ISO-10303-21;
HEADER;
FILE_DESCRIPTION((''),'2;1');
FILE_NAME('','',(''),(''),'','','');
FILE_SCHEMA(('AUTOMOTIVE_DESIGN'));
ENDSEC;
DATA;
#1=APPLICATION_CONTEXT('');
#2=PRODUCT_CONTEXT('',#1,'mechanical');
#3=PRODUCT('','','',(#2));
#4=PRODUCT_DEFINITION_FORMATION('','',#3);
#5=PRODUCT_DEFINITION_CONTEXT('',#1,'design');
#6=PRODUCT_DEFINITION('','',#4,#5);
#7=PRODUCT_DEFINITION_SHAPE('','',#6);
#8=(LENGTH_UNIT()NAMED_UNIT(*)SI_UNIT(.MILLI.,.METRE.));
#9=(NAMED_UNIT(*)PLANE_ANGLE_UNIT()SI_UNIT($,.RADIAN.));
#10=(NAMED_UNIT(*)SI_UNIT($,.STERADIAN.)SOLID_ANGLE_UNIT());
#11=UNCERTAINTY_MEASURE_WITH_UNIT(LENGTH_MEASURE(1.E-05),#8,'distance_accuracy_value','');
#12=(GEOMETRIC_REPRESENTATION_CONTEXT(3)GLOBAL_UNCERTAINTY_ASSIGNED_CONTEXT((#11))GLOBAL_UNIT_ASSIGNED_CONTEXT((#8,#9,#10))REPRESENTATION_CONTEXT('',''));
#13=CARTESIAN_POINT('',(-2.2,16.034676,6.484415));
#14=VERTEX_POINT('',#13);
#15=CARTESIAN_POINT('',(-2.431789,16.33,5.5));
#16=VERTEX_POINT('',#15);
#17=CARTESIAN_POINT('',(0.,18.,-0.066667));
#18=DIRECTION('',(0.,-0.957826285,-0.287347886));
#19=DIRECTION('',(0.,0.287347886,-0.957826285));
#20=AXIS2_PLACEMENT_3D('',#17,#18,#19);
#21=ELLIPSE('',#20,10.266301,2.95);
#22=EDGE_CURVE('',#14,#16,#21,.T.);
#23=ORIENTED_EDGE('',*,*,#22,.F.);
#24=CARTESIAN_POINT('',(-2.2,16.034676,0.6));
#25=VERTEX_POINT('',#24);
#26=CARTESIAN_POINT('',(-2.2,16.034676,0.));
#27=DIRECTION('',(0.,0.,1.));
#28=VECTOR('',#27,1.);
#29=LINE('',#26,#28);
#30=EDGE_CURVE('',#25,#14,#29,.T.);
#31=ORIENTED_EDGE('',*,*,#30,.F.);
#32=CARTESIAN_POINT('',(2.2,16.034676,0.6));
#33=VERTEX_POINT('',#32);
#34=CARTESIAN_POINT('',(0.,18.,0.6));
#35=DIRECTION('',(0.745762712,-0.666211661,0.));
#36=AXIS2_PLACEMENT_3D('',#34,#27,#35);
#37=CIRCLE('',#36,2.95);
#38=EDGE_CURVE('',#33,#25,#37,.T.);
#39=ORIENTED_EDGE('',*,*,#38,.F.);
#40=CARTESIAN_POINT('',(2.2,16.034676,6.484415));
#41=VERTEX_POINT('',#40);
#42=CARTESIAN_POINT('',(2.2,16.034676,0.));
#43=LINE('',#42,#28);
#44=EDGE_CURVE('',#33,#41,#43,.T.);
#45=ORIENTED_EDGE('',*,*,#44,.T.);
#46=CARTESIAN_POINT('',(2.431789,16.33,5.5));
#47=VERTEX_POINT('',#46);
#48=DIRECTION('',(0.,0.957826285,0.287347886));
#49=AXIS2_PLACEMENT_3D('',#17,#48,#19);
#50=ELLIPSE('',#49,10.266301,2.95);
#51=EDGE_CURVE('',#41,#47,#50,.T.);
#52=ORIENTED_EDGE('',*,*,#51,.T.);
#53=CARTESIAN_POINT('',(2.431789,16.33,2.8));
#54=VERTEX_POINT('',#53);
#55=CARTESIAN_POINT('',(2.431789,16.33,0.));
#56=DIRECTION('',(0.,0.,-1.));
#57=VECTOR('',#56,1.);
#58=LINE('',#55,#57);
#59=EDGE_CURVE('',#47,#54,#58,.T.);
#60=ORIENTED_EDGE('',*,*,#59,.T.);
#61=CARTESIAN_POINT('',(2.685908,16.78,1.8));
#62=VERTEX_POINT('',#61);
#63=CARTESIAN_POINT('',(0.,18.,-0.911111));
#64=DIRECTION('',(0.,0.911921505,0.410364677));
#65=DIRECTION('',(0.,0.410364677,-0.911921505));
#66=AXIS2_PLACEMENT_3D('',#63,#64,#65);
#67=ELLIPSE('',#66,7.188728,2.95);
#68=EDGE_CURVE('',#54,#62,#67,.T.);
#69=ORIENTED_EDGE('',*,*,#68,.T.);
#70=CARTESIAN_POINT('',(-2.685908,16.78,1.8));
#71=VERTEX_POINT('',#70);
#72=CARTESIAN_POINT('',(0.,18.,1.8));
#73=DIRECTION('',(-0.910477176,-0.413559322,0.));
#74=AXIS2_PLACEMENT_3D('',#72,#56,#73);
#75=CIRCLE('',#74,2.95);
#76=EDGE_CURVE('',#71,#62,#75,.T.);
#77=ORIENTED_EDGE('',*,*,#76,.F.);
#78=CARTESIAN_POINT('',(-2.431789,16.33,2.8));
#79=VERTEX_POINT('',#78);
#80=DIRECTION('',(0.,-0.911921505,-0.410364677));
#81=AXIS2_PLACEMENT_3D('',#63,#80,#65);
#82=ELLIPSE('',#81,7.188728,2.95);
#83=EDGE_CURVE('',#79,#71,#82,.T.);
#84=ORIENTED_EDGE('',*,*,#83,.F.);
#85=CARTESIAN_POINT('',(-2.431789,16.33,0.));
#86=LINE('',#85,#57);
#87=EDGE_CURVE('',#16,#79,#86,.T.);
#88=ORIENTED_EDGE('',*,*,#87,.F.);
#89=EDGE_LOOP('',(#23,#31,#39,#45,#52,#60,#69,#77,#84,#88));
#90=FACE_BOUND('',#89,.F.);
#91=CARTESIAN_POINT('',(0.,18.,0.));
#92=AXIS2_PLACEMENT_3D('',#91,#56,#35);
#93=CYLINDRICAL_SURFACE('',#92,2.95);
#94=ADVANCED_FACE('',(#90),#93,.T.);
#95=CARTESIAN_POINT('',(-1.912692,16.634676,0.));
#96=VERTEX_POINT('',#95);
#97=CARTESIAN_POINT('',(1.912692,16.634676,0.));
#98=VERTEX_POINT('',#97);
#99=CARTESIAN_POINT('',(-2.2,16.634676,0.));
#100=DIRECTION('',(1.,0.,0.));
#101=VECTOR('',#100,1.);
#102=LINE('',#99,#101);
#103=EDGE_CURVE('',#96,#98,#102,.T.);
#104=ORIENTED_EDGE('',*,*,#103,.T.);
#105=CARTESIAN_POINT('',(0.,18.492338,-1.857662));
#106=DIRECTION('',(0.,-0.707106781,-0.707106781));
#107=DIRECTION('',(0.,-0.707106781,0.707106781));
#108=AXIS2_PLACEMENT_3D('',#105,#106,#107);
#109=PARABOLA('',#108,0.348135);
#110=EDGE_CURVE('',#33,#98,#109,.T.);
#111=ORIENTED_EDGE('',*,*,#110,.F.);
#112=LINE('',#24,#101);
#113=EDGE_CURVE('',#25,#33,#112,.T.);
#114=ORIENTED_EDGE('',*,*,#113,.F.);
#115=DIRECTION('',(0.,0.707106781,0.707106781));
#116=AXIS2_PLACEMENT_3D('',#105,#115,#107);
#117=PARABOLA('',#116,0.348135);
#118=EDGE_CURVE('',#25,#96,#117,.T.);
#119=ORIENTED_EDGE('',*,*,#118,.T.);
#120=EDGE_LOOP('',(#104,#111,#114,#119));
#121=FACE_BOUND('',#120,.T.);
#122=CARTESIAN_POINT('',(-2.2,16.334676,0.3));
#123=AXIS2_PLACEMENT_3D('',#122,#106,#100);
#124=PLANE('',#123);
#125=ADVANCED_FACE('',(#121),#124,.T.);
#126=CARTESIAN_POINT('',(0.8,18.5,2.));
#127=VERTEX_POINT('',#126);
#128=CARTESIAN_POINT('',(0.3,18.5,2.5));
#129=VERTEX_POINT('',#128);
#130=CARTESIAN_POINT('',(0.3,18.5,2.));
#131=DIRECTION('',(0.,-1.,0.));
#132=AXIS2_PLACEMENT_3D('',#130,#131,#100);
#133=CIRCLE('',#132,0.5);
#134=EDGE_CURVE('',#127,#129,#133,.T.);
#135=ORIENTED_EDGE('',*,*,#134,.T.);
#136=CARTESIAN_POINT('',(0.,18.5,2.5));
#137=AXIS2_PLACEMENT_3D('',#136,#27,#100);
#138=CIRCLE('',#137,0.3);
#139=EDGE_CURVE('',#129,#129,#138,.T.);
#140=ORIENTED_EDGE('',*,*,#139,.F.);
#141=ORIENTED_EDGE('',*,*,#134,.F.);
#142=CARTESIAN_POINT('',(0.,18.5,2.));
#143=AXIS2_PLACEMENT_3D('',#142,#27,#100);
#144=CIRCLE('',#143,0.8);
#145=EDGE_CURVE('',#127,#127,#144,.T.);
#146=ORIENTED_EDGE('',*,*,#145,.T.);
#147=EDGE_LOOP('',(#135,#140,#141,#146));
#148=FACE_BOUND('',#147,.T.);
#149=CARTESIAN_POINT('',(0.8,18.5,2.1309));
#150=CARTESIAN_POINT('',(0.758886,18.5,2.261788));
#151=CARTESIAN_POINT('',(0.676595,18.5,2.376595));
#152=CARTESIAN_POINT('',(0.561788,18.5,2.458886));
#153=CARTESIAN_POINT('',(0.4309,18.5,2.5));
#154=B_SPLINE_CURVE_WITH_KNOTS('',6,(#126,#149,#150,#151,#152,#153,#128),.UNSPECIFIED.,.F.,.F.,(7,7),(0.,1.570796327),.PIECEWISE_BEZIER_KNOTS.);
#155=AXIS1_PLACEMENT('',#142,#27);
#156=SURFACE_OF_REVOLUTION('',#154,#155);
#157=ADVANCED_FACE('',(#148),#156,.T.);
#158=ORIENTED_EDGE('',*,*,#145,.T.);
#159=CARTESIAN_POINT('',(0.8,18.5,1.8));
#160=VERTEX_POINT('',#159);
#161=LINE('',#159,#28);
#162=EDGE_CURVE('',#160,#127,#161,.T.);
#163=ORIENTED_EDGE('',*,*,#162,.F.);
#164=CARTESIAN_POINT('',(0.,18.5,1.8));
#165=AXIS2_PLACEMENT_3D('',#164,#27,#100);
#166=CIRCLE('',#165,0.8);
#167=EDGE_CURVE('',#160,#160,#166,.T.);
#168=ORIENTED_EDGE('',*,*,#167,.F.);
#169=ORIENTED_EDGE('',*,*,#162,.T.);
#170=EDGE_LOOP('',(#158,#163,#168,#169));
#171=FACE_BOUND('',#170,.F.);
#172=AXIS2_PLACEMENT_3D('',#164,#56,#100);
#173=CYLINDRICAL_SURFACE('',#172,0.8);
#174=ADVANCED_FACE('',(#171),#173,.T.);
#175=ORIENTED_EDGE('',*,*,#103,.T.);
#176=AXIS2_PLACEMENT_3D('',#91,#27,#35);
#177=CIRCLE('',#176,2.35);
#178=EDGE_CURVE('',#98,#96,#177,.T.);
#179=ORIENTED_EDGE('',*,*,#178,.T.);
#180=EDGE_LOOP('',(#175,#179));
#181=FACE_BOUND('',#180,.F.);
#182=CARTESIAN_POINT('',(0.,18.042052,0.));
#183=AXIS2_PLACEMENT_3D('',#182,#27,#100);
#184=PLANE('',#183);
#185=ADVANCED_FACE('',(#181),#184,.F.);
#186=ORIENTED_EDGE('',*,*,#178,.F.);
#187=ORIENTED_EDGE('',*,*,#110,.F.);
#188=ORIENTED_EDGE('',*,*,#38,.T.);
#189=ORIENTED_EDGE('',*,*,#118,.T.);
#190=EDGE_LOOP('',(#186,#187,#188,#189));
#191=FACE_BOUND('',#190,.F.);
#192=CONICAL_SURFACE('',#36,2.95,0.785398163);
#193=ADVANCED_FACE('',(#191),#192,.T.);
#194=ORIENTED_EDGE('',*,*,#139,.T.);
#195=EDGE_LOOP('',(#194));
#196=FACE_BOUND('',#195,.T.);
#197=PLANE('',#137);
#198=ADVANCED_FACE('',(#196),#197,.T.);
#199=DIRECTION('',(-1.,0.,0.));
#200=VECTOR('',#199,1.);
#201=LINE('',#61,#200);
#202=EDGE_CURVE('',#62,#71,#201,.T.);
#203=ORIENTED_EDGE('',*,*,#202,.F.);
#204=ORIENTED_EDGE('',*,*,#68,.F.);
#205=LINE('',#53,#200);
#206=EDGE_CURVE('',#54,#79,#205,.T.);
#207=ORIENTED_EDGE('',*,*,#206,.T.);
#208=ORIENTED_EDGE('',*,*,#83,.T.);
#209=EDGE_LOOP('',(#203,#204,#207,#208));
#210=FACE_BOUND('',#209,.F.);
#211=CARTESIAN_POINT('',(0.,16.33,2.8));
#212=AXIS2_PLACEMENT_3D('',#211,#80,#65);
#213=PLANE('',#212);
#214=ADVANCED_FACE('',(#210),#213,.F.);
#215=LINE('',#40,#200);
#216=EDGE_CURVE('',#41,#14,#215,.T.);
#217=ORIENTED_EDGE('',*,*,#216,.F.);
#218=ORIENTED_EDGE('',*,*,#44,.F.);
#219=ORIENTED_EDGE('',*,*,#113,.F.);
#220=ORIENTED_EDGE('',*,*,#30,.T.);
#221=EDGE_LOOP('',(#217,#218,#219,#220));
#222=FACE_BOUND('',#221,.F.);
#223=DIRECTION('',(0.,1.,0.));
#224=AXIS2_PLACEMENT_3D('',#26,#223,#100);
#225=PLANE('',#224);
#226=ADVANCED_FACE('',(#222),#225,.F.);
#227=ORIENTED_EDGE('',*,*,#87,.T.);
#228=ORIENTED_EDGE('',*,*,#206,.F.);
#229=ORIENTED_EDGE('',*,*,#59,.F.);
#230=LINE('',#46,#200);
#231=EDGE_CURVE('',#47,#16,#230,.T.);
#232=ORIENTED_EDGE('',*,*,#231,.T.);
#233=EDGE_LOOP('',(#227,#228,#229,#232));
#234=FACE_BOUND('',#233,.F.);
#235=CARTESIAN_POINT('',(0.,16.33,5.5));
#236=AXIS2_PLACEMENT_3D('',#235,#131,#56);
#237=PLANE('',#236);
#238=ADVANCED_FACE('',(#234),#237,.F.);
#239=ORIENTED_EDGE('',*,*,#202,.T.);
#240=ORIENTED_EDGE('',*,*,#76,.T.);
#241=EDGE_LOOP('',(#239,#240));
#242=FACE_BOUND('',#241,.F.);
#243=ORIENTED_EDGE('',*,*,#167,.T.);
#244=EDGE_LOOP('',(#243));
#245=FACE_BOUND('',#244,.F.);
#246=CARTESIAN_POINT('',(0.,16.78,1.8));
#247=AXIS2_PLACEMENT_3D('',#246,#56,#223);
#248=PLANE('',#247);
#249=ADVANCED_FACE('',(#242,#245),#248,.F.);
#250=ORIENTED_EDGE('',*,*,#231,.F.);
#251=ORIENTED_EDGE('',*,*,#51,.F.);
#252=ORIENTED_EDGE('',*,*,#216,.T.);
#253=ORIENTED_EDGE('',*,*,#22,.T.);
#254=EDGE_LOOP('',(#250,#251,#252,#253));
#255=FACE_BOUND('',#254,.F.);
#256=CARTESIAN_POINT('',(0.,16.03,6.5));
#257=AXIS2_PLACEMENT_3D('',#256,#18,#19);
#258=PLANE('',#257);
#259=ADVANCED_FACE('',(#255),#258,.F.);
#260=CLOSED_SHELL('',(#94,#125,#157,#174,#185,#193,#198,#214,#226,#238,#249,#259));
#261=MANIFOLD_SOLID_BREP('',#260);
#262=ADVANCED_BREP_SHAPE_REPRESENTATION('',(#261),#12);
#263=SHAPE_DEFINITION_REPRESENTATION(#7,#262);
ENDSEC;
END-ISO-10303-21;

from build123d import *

# Parameters (mm, degrees)
PAD003_DEPTH         = 6.5
POCKET004_DEPTH      = 2.951
POCKET004_DEPTH_BACK = 2.951
SKETCH013_R          = 0.8
PAD006_DEPTH         = 0.7
FILLET_R             = 0.5
CHAMFER004_SIZE      = 0.6


with BuildPart() as part:
    # Sketch004 → Pad003 (new body)
    with BuildSketch(Plane.XY):
        with BuildLine():
            ThreePointArc((2.2, -1.9653244007), (0, 2.95), (-2.2, -1.9653244007))
            Line((-2.2, -1.9653244007), (2.2, -1.9653244007))
        make_face()
    extrude(amount=PAD003_DEPTH)

    # Sketch014 → Pocket004 (cut, two sides)
    with BuildSketch(Plane.YZ) as pocket004_sk:
        Polygon((-1.97, 6.5), (-1.67, 5.5), (-1.67, 2.8), (-1.22, 1.8), (4, 1.8), (4, 6.5), align=None)
    extrude(amount=-POCKET004_DEPTH, mode=Mode.SUBTRACT)
    extrude(pocket004_sk.sketch, amount=POCKET004_DEPTH_BACK, mode=Mode.SUBTRACT)

    # Sketch013 (on Face7 of Pocket004) → Pad006 (join)
    with BuildSketch(Plane.XY.offset(1.8)):
        with Locations((0, 0.5)):
            Circle(SKETCH013_R)
    extrude(amount=PAD006_DEPTH)

    # Fillet
    fillet_edges = [part.edges().sort_by_distance(p)[0] for p in [
        (-0.8, 0.5, 2.5),
    ]]
    fillet(fillet_edges, radius=FILLET_R)

    # Chamfer004
    chamfer004_edges = [part.edges().sort_by_distance(p)[0] for p in [
        (0, 2.95, 0),
        (0, -1.965324, 0),
    ]]
    chamfer(chamfer004_edges, length=CHAMFER004_SIZE)


with BuildPart() as part_1:
    # Body022 placement: moved
    add(part.part.moved(Location((0, 18, 0))))


solid = part_1.part
